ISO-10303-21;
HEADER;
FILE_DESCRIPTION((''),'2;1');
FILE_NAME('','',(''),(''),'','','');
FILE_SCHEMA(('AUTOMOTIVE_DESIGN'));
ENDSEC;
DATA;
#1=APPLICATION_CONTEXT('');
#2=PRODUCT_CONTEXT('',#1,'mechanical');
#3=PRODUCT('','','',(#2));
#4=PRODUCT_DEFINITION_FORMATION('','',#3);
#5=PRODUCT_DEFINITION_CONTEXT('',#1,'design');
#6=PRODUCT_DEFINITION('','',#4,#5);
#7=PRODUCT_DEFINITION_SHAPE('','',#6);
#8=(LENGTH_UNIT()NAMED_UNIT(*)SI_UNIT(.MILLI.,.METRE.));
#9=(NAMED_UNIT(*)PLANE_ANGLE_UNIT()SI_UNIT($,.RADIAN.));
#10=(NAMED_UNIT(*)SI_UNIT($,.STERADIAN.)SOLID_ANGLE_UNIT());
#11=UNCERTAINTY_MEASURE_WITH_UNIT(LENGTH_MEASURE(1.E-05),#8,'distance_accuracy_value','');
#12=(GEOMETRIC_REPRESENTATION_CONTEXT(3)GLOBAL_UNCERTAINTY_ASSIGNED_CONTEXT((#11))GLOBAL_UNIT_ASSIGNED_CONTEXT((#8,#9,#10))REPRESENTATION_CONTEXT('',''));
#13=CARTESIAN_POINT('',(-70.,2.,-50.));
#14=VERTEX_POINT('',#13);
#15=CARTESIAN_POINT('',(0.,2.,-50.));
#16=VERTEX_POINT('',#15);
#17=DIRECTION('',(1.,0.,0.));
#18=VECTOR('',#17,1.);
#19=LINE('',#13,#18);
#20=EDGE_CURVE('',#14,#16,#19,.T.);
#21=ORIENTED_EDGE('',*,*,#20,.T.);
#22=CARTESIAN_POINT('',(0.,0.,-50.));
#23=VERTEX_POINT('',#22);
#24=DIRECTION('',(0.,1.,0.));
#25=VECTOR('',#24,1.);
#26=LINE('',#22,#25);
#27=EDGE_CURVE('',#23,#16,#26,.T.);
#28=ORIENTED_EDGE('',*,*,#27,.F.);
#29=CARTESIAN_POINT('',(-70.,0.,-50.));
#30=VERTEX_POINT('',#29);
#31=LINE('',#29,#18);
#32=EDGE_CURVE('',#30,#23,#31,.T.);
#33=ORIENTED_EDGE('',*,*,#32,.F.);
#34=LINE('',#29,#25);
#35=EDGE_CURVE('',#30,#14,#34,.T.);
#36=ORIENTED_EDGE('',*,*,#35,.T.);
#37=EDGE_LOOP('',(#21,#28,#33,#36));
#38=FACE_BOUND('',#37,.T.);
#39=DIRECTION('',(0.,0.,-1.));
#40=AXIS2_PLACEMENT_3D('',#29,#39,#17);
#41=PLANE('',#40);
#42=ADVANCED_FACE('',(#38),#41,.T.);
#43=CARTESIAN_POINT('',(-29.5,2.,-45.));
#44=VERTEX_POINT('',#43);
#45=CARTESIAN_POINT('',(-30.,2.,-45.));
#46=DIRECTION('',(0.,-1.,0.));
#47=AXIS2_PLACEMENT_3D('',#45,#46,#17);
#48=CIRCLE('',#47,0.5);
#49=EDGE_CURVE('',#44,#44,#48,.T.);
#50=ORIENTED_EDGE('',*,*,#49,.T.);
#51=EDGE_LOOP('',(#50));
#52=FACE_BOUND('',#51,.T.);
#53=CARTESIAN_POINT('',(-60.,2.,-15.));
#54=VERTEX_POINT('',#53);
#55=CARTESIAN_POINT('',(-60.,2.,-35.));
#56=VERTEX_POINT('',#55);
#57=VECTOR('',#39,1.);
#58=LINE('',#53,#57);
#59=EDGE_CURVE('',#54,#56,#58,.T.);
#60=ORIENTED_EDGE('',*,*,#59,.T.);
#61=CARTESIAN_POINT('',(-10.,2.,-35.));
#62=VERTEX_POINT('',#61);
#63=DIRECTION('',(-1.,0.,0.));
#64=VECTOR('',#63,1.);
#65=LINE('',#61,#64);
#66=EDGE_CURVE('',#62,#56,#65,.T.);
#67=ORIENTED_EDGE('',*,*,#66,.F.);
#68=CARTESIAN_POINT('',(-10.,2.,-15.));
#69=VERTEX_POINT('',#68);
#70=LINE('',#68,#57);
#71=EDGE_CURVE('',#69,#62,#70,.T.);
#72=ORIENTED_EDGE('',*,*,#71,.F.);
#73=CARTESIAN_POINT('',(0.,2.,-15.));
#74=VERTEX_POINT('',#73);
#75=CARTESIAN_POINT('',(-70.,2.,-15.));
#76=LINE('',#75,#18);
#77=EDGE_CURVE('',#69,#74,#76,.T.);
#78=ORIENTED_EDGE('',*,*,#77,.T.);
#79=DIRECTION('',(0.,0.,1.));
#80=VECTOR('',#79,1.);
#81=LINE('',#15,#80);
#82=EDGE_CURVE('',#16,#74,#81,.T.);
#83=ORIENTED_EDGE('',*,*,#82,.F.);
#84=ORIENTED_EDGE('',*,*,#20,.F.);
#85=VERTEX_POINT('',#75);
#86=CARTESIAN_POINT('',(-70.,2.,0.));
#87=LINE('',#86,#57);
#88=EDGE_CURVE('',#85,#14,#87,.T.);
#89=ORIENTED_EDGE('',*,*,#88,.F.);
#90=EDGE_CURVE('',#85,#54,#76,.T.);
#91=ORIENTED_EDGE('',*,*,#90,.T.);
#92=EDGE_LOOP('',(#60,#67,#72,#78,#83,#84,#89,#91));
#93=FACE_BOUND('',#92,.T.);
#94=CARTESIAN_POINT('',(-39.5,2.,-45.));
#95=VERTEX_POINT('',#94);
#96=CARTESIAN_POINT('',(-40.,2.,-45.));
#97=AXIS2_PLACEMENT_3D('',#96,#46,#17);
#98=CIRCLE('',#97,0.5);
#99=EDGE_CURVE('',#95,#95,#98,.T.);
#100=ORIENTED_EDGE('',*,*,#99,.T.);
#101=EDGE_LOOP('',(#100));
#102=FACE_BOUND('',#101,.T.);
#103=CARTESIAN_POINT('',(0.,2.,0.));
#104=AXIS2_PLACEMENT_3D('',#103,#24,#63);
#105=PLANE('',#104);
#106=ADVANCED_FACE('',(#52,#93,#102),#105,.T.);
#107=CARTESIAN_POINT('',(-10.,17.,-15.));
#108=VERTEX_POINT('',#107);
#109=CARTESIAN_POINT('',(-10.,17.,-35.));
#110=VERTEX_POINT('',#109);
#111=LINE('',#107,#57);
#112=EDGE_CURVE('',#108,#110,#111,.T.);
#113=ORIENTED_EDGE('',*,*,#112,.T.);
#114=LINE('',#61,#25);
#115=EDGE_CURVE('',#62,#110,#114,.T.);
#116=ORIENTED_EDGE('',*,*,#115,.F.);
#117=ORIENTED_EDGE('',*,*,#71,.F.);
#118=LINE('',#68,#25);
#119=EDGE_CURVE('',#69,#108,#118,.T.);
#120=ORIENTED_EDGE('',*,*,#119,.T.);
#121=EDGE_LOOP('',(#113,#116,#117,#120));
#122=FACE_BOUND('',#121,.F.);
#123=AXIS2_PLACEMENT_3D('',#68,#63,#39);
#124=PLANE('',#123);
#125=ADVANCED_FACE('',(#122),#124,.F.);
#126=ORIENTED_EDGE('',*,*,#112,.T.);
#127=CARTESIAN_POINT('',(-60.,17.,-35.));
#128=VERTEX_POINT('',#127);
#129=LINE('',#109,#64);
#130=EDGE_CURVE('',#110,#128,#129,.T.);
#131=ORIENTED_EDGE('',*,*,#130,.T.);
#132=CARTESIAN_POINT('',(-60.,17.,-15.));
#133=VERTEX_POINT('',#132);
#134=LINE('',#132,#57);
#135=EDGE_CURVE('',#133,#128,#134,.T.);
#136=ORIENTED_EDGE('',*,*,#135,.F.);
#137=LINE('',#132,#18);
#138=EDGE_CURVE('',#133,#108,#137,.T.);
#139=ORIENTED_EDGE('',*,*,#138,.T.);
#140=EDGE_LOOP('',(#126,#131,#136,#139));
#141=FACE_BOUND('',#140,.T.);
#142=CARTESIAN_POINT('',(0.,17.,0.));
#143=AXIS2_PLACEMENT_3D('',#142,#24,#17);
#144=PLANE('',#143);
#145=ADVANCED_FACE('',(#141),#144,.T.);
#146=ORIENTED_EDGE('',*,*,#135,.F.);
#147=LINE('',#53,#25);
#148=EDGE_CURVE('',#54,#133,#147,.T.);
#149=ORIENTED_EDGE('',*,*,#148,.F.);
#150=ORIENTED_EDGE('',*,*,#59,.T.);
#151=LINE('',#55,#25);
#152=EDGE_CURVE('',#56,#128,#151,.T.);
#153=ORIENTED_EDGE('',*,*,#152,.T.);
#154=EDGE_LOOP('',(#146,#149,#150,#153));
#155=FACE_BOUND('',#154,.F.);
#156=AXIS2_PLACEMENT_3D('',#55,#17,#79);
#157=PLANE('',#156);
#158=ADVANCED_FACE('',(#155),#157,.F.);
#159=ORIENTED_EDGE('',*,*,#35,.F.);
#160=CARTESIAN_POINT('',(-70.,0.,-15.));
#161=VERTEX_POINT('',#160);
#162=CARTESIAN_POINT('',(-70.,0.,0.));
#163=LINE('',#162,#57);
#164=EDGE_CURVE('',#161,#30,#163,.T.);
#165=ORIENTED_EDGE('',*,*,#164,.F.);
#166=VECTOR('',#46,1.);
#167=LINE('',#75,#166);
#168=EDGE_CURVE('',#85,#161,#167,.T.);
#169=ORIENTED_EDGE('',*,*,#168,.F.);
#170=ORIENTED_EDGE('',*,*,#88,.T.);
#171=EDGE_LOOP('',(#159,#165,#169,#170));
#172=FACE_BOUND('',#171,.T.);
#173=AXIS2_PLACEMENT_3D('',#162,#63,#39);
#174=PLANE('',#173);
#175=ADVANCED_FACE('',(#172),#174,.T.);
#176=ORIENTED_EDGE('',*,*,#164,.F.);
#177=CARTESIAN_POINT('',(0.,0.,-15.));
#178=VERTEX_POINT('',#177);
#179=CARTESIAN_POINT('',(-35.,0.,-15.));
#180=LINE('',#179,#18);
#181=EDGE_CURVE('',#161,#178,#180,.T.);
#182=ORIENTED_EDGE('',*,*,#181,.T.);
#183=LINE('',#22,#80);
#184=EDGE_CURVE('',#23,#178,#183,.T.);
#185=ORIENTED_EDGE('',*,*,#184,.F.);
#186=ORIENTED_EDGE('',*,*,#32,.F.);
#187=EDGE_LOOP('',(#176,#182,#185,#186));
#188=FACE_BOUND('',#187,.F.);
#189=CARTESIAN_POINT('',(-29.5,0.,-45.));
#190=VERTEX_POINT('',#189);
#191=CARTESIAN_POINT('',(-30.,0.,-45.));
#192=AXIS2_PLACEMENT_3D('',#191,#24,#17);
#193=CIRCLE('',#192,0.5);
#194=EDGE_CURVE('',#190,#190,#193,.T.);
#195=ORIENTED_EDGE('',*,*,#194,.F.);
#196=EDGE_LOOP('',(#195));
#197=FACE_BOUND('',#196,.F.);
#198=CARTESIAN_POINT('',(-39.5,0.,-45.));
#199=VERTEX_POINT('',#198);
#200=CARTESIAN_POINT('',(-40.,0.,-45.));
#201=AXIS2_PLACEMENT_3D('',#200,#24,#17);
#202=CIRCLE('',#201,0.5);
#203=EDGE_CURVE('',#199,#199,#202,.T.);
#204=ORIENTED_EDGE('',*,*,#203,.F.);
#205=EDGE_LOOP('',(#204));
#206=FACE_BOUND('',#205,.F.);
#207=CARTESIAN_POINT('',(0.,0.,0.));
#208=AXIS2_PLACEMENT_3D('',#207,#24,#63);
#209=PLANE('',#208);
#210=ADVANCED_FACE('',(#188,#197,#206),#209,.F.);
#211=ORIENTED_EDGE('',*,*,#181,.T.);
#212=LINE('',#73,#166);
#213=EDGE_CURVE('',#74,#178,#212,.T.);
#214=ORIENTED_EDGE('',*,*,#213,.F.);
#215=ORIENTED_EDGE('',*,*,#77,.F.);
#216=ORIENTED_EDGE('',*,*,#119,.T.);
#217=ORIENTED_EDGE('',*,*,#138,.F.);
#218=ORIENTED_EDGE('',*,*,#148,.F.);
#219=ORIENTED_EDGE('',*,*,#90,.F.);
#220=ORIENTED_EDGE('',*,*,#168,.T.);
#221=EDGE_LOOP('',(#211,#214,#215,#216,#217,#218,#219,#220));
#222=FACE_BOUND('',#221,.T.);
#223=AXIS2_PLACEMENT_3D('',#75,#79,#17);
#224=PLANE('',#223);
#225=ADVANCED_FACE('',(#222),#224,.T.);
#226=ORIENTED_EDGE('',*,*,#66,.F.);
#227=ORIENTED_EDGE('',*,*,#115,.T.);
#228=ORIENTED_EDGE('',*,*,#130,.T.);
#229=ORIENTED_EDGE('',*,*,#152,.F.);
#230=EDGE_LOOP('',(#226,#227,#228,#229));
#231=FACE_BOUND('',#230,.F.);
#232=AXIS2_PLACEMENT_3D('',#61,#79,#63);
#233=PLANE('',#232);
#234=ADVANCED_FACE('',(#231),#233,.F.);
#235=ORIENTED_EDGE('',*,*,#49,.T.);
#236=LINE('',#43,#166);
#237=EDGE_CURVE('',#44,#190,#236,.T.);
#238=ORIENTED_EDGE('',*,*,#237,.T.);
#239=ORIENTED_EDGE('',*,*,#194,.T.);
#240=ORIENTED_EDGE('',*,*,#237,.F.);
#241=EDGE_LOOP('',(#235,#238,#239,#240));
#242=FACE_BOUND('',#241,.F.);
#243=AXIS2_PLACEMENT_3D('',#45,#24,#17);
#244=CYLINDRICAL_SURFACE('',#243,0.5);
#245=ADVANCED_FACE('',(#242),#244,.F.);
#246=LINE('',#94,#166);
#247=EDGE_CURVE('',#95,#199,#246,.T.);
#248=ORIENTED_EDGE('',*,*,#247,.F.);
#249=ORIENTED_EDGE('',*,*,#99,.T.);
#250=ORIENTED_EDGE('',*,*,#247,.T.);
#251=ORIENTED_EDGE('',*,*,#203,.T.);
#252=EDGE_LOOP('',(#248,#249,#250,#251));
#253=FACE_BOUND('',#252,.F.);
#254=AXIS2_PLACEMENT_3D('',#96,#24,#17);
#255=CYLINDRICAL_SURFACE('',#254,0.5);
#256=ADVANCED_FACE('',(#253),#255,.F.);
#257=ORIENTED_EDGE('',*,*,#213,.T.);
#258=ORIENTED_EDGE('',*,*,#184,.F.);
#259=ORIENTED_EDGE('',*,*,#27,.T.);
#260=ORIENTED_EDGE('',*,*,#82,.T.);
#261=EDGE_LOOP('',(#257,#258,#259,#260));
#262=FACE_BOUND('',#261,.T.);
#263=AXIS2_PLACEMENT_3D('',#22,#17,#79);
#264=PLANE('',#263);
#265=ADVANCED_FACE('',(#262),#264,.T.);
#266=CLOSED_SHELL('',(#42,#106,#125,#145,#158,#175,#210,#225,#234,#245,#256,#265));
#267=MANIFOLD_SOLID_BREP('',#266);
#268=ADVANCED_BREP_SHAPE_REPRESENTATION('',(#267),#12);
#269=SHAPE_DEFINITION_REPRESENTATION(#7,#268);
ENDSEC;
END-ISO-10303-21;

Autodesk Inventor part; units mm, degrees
ref_plane "YZ Plane" through (0, 0, 0) normal (1, 0, 0) x (0, 1, 0)
ref_plane "XZ Plane" through (0, 0, 0) normal (0, 1, 0) x (-1, 0, 0)
ref_plane "XY Plane" through (0, 0, 0) normal (0, 0, 1) x (1, 0, 0)
sketch "Sketch1" plane through (0, 0, 0) normal (0, 1, 0) x (-1, 0, 0)
  line L0 (0, 0) -> (70, 0)
  line L1 (70, 0) -> (70, -50)
  line L2 (70, -50) -> (0, -50)
  line L3 (0, -50) -> (0, 0)
  dimension "d0" = 70
  dimension "d1" = 50
extrude "Extrusion1" add sketch "Sketch1" along normal blind 2
sketch "Sketch2" plane through (0, 2, 0) normal (0, 1, 0) x (1, 0, 0)
  line L0 (-70, 50) -> (-70, 0) projected
  line L1 (-70, 25) -> (-60, 25)
  line L2 (-60, 25) -> (-60, 15)
  line L3 (-60, 15) -> (-10, 15)
  line L4 (-10, 15) -> (-10, 35)
  line L5 (-10, 35) -> (-60, 35)
  line L6 (-60, 35) -> (-60, 15)
  point P0 (0, 0)
  dimension "d4" = 10
  dimension "d5" = 10
  dimension "d6" = 50
  dimension "d7" = 20
  dimension "d20" = 25
  dimension "d21" = 25
extrude "Extrusion2" add sketch "Sketch2" along normal blind 15
sketch "Sketch3" plane through (0, 2, 0) normal (0, 1, 0) x (1, 0, 0)
  line L0 (0, 50) -> (-70, 50) projected
  line L1 (0, 50) -> (-30, 50)
  line L2 (-30, 50) -> (-30, 45)
  line L3 (-30, 45) -> (0, 45)
  line L4 (0, 45) -> (0, 50)
  line L5 (-70, 50) -> (-70, 0) projected
  line L6 (-70, 0) -> (-40, 0)
  line L7 (-40, 0) -> (-40, 5)
  line L8 (-40, 5) -> (-70, 5)
  line L9 (-70, 5) -> (-70, 0)
  line L10 (-30, 45) -> (-40, 45)
  line L11 (-40, 45) -> (-40, 5)
  line L12 (-40, 5) -> (-30, 5)
  line L13 (-30, 5) -> (-30, 45)
  circle A0 centre (-30, 5) radius 0.5
  circle A1 centre (-40, 5) radius 0.5
  circle A2 centre (-30, 45) radius 0.5
  circle A3 centre (-40, 45) radius 0.5
  point P0 (0, 0)
  dimension "d10" = 30
  dimension "d11" = 5
  dimension "d12" = 30
  dimension "d13" = 5
  dimension "d14" = 1
  dimension "d15" = 1
  dimension "d16" = 1
  dimension "d17" = 1
extrude "Extrusion3" cut sketch "Sketch3" against normal blind 15 contours A2 L3 L2 | L2 L10 A2 | A2 L13 L3 | L13 A2 L10 | A1 L11 L8 | L8 L7 A1 | A3 L11 L10 | L10 L11 A3 | A0 L12 L13 | L13 L12 A0 | L12 A1 L7 | L11 A1 L12
sketch "Sketch4" plane through (0, 2, 0) normal (0, 1, 0) x (1, 0, 0)
  line L0 (0, 0) -> (0, 50) projected
  line L1 (-70, 50) -> (-70, 0) projected
  line L2 (0, 0) -> (-70, 0)
  line L3 (-70, 0) -> (-70, 15)
  line L4 (-70, 15) -> (0, 15)
  line L5 (0, 15) -> (0, 0)
  dimension "d22" = 15
extrude "Extrusion4" cut sketch "Sketch4" against normal blind 15
properties part number "RPpico_dummy"
